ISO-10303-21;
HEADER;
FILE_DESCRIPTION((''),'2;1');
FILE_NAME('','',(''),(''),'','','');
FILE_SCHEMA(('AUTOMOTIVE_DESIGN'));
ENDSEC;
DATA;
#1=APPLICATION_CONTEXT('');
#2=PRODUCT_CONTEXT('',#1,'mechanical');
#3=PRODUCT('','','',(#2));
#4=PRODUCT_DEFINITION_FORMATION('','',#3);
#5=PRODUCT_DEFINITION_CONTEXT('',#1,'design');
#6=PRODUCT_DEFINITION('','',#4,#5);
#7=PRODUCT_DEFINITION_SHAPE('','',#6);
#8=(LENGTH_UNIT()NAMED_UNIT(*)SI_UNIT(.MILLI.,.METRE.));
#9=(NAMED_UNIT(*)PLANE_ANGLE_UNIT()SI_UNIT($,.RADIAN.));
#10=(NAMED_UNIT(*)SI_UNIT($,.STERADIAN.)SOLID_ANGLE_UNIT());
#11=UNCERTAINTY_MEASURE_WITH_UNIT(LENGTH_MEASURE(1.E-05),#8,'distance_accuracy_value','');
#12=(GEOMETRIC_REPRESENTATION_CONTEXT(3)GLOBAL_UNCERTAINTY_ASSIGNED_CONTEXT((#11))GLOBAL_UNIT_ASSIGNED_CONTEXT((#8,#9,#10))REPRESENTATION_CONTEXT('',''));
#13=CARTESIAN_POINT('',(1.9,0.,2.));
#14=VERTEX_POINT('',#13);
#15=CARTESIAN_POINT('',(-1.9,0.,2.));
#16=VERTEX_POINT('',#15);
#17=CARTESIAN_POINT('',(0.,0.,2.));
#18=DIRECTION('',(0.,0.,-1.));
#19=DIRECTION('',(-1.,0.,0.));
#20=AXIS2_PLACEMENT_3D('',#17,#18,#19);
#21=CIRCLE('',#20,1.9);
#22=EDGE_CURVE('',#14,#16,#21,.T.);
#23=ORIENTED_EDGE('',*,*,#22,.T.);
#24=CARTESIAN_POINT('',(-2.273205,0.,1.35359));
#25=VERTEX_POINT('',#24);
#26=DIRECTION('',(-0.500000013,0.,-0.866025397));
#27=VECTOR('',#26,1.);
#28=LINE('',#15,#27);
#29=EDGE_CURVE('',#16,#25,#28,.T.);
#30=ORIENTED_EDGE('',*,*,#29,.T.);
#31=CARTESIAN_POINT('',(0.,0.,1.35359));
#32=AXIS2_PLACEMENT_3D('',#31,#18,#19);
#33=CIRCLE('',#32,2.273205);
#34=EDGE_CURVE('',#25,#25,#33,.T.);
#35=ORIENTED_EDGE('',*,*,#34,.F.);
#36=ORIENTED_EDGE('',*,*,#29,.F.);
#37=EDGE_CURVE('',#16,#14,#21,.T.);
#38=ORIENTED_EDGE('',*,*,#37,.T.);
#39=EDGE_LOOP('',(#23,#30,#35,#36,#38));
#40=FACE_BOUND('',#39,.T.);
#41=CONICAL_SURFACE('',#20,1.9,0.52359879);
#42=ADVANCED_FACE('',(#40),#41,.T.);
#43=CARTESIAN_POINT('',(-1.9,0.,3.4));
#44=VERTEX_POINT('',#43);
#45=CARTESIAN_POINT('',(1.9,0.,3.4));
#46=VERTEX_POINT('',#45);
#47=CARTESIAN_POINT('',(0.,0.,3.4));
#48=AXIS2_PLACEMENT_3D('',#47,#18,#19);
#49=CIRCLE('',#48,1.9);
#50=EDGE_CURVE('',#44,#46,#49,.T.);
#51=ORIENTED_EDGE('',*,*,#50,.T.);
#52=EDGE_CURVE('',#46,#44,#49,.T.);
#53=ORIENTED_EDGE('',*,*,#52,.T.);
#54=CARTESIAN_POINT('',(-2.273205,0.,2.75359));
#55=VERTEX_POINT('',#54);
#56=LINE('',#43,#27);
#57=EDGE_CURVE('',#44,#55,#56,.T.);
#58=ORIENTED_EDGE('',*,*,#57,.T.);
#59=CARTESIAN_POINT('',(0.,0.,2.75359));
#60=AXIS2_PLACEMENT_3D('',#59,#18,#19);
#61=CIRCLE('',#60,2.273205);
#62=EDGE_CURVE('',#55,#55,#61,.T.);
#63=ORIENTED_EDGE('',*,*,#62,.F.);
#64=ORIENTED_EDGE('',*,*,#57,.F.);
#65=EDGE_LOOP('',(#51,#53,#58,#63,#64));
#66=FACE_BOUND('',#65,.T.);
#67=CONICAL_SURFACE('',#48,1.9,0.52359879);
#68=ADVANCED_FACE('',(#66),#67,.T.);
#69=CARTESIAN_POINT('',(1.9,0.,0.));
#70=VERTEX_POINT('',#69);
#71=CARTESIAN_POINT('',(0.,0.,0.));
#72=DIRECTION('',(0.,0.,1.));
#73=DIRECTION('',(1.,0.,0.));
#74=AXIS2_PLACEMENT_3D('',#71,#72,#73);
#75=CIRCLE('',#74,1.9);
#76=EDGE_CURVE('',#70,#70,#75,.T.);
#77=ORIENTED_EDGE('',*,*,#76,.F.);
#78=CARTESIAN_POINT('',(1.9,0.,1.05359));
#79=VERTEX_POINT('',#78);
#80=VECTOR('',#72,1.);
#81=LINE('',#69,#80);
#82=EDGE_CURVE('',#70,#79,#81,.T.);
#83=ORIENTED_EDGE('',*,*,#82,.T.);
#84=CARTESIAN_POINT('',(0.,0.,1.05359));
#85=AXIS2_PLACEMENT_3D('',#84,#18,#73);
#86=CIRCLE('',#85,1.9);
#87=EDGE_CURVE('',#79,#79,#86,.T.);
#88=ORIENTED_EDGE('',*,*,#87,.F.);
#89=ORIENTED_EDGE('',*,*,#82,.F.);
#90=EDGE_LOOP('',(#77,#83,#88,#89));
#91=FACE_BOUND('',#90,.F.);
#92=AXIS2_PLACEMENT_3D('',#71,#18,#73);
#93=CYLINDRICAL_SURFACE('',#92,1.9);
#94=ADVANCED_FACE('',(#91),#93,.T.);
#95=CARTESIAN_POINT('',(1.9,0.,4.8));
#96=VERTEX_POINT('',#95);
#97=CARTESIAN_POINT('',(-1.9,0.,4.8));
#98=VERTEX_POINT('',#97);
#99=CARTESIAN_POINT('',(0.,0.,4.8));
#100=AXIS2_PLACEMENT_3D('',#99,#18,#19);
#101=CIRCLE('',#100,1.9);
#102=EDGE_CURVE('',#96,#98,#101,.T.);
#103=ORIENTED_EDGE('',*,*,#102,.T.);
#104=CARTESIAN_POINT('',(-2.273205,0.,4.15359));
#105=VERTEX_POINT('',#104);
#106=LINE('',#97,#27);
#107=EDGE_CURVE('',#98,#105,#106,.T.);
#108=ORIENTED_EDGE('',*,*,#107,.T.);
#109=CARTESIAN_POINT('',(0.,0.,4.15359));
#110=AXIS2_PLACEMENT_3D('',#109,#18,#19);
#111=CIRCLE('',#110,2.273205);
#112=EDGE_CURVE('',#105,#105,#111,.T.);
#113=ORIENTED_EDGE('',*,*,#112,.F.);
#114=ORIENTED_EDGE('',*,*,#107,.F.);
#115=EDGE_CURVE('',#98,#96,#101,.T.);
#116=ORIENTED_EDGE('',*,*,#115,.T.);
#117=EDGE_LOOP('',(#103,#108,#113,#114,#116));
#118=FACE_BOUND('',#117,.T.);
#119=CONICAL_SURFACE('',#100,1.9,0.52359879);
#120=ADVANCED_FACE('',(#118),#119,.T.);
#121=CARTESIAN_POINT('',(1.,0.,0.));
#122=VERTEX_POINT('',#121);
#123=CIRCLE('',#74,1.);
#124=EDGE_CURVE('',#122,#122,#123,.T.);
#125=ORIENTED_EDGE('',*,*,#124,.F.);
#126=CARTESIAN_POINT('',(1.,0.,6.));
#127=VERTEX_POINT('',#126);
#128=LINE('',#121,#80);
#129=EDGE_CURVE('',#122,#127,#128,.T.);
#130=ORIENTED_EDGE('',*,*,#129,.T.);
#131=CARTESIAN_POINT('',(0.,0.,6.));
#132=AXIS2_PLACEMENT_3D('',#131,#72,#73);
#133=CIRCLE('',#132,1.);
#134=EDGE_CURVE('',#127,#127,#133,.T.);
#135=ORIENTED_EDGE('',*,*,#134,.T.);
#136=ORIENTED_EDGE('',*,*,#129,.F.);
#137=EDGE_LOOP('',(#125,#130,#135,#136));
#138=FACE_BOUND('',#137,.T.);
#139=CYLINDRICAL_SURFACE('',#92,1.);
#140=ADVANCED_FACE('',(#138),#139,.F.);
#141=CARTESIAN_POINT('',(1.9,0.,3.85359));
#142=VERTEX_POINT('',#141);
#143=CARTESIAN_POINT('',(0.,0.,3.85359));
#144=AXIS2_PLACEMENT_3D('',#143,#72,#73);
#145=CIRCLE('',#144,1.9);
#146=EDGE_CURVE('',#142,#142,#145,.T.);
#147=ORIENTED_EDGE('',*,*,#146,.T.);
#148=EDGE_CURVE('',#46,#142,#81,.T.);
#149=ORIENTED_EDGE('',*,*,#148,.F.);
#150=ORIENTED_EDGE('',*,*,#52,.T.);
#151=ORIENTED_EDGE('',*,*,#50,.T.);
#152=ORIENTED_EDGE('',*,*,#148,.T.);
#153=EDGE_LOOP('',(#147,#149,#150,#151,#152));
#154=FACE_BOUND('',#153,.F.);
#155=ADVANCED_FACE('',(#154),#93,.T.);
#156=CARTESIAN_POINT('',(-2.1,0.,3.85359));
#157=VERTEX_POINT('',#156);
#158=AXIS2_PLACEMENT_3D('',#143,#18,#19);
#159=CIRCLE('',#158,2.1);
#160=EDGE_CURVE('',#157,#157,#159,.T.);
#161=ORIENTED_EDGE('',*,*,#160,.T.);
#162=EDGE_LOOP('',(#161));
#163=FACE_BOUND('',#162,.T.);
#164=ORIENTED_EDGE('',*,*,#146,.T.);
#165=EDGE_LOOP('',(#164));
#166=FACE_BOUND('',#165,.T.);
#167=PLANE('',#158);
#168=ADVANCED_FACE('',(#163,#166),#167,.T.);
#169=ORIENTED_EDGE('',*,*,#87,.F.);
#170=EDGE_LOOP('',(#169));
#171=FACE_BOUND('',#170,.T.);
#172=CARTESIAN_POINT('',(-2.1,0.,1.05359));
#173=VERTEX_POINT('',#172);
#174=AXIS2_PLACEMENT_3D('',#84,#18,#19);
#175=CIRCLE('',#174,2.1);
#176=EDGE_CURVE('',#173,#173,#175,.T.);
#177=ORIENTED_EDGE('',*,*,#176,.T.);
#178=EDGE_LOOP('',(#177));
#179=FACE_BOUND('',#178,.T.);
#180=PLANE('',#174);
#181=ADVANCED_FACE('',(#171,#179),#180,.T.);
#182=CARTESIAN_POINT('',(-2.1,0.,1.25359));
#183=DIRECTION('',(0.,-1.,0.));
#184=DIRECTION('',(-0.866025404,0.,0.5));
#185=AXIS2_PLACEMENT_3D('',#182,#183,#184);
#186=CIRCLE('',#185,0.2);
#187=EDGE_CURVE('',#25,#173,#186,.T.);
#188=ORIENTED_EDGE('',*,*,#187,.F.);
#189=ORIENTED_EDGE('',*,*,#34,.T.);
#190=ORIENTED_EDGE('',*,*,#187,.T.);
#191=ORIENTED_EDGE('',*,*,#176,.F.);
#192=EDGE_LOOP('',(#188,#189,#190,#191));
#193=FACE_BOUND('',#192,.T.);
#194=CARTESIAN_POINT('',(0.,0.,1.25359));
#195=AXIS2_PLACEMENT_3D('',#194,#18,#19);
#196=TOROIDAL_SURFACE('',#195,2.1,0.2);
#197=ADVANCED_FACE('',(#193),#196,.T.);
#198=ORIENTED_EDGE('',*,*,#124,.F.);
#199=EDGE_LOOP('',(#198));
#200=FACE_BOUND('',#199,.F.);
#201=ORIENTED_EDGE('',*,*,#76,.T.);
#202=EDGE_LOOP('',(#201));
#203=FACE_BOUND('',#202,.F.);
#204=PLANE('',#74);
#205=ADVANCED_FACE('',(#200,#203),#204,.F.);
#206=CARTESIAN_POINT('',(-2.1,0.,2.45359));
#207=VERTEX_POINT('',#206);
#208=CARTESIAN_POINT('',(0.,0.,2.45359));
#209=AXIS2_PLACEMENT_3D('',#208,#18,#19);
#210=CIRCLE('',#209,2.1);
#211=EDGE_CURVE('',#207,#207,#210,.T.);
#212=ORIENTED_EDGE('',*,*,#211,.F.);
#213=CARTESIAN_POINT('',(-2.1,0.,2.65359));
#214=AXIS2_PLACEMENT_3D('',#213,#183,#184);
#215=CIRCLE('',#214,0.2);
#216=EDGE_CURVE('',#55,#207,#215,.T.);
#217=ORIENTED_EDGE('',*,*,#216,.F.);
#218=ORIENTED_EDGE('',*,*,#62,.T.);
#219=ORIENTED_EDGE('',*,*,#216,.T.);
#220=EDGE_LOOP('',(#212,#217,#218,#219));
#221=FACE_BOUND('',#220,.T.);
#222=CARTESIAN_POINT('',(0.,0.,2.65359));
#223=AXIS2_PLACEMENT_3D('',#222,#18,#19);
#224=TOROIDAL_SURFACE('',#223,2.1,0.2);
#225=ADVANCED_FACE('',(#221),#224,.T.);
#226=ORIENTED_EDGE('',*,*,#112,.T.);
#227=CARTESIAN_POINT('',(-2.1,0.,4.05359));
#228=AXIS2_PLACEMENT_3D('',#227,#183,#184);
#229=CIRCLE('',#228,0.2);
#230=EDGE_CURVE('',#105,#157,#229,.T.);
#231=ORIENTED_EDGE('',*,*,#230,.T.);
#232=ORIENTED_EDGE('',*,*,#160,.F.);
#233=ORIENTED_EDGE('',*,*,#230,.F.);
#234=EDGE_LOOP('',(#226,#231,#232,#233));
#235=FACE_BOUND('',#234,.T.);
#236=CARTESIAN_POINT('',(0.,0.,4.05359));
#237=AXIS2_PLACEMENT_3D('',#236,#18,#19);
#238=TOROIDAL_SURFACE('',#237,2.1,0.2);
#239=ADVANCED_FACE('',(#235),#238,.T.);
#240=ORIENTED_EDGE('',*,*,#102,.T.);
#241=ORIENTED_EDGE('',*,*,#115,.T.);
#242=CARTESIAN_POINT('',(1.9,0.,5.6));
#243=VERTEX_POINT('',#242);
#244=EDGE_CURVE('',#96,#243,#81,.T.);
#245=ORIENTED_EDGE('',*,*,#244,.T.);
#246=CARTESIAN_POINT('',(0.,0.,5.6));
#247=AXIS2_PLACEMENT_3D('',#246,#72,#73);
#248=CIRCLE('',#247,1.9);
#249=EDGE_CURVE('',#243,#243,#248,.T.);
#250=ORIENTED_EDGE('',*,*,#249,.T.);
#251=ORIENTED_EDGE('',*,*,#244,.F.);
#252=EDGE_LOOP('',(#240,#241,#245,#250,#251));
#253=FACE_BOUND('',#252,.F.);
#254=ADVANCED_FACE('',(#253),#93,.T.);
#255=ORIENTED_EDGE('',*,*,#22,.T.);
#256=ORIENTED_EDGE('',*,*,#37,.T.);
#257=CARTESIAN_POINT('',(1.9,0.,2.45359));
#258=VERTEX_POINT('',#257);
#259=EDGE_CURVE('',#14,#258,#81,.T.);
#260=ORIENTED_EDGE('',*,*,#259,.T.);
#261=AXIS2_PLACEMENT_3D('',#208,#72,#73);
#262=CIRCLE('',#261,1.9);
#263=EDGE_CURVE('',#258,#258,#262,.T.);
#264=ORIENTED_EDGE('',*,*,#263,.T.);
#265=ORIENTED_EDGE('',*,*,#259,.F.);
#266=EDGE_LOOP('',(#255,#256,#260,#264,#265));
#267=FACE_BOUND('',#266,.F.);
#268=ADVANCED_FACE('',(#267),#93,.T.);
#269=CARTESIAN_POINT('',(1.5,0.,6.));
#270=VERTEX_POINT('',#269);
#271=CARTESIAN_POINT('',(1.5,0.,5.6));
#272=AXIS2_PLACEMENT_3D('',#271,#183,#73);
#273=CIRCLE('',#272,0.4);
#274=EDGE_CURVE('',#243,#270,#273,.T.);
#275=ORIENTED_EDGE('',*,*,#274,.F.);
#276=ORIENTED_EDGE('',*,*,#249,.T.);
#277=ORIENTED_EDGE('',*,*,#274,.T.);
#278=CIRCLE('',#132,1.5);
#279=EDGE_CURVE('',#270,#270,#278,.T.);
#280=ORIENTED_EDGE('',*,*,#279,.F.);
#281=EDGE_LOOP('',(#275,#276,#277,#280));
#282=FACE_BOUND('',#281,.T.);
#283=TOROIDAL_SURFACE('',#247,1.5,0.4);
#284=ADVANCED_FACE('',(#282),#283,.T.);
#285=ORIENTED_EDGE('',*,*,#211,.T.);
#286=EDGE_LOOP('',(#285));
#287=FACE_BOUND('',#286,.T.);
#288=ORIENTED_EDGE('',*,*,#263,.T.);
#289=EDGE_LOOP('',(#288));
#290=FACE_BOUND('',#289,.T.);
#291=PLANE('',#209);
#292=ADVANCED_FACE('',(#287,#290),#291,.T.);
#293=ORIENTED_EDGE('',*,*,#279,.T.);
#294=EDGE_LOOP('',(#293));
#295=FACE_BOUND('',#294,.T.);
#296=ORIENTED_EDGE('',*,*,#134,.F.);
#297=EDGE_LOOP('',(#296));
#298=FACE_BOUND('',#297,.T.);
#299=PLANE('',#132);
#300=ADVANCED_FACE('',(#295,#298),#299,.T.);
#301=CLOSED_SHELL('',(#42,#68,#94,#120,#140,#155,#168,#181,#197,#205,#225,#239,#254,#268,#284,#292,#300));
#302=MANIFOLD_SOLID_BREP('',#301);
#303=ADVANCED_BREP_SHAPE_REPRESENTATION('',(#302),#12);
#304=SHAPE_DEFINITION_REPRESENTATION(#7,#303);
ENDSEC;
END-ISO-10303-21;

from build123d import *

# Parameters (mm, degrees)
F0_R     = 1.9
F0_R_2   = 1
F1_DEPTH = 6
F2_R     = 0.4


with BuildPart() as f1:
    # F0 (on Top) → F1 (new body)
    with BuildSketch(Plane.XY):
        Circle(F0_R)
        Circle(F0_R_2, mode=Mode.SUBTRACT)
    extrude(amount=F1_DEPTH)

    # F2
    f2_edges = [f1.edges().sort_by_distance(p)[0] for p in [
        (-1.9, 0, 6),
    ]]
    fillet(f2_edges, radius=F2_R)

    # F3 (on Front) → F4 (revolve)
    with BuildSketch(Plane.XZ):
        with BuildLine():
            Line((-1.9, 3.85359), (-1.9, 4.8))
            Line((-1.9, 4.8), (-2.273205, 4.15359))
            ThreePointArc((-2.273205, 4.15359), (-2.273205, 3.95359), (-2.1, 3.85359))
            Line((-2.1, 3.85359), (-1.9, 3.85359))
        make_face()
        with BuildLine():
            Line((-2.1, 2.45359), (-1.9, 2.45359))
            Line((-1.9, 2.45359), (-1.9, 3.4))
            Line((-1.9, 3.4), (-2.273205, 2.75359))
            ThreePointArc((-2.273205, 2.75359), (-2.273205, 2.55359), (-2.1, 2.45359))
        make_face()
        with BuildLine():
            Line((-2.1, 1.05359), (-1.9, 1.05359))
            Line((-1.9, 1.05359), (-1.9, 2))
            Line((-1.9, 2), (-2.273205, 1.35359))
            ThreePointArc((-2.273205, 1.35359), (-2.273205, 1.15359), (-2.1, 1.05359))
        make_face()
    revolve(axis=Axis((0, 0, 2.84007), (0, 0, -1)))


solid = f1.part
